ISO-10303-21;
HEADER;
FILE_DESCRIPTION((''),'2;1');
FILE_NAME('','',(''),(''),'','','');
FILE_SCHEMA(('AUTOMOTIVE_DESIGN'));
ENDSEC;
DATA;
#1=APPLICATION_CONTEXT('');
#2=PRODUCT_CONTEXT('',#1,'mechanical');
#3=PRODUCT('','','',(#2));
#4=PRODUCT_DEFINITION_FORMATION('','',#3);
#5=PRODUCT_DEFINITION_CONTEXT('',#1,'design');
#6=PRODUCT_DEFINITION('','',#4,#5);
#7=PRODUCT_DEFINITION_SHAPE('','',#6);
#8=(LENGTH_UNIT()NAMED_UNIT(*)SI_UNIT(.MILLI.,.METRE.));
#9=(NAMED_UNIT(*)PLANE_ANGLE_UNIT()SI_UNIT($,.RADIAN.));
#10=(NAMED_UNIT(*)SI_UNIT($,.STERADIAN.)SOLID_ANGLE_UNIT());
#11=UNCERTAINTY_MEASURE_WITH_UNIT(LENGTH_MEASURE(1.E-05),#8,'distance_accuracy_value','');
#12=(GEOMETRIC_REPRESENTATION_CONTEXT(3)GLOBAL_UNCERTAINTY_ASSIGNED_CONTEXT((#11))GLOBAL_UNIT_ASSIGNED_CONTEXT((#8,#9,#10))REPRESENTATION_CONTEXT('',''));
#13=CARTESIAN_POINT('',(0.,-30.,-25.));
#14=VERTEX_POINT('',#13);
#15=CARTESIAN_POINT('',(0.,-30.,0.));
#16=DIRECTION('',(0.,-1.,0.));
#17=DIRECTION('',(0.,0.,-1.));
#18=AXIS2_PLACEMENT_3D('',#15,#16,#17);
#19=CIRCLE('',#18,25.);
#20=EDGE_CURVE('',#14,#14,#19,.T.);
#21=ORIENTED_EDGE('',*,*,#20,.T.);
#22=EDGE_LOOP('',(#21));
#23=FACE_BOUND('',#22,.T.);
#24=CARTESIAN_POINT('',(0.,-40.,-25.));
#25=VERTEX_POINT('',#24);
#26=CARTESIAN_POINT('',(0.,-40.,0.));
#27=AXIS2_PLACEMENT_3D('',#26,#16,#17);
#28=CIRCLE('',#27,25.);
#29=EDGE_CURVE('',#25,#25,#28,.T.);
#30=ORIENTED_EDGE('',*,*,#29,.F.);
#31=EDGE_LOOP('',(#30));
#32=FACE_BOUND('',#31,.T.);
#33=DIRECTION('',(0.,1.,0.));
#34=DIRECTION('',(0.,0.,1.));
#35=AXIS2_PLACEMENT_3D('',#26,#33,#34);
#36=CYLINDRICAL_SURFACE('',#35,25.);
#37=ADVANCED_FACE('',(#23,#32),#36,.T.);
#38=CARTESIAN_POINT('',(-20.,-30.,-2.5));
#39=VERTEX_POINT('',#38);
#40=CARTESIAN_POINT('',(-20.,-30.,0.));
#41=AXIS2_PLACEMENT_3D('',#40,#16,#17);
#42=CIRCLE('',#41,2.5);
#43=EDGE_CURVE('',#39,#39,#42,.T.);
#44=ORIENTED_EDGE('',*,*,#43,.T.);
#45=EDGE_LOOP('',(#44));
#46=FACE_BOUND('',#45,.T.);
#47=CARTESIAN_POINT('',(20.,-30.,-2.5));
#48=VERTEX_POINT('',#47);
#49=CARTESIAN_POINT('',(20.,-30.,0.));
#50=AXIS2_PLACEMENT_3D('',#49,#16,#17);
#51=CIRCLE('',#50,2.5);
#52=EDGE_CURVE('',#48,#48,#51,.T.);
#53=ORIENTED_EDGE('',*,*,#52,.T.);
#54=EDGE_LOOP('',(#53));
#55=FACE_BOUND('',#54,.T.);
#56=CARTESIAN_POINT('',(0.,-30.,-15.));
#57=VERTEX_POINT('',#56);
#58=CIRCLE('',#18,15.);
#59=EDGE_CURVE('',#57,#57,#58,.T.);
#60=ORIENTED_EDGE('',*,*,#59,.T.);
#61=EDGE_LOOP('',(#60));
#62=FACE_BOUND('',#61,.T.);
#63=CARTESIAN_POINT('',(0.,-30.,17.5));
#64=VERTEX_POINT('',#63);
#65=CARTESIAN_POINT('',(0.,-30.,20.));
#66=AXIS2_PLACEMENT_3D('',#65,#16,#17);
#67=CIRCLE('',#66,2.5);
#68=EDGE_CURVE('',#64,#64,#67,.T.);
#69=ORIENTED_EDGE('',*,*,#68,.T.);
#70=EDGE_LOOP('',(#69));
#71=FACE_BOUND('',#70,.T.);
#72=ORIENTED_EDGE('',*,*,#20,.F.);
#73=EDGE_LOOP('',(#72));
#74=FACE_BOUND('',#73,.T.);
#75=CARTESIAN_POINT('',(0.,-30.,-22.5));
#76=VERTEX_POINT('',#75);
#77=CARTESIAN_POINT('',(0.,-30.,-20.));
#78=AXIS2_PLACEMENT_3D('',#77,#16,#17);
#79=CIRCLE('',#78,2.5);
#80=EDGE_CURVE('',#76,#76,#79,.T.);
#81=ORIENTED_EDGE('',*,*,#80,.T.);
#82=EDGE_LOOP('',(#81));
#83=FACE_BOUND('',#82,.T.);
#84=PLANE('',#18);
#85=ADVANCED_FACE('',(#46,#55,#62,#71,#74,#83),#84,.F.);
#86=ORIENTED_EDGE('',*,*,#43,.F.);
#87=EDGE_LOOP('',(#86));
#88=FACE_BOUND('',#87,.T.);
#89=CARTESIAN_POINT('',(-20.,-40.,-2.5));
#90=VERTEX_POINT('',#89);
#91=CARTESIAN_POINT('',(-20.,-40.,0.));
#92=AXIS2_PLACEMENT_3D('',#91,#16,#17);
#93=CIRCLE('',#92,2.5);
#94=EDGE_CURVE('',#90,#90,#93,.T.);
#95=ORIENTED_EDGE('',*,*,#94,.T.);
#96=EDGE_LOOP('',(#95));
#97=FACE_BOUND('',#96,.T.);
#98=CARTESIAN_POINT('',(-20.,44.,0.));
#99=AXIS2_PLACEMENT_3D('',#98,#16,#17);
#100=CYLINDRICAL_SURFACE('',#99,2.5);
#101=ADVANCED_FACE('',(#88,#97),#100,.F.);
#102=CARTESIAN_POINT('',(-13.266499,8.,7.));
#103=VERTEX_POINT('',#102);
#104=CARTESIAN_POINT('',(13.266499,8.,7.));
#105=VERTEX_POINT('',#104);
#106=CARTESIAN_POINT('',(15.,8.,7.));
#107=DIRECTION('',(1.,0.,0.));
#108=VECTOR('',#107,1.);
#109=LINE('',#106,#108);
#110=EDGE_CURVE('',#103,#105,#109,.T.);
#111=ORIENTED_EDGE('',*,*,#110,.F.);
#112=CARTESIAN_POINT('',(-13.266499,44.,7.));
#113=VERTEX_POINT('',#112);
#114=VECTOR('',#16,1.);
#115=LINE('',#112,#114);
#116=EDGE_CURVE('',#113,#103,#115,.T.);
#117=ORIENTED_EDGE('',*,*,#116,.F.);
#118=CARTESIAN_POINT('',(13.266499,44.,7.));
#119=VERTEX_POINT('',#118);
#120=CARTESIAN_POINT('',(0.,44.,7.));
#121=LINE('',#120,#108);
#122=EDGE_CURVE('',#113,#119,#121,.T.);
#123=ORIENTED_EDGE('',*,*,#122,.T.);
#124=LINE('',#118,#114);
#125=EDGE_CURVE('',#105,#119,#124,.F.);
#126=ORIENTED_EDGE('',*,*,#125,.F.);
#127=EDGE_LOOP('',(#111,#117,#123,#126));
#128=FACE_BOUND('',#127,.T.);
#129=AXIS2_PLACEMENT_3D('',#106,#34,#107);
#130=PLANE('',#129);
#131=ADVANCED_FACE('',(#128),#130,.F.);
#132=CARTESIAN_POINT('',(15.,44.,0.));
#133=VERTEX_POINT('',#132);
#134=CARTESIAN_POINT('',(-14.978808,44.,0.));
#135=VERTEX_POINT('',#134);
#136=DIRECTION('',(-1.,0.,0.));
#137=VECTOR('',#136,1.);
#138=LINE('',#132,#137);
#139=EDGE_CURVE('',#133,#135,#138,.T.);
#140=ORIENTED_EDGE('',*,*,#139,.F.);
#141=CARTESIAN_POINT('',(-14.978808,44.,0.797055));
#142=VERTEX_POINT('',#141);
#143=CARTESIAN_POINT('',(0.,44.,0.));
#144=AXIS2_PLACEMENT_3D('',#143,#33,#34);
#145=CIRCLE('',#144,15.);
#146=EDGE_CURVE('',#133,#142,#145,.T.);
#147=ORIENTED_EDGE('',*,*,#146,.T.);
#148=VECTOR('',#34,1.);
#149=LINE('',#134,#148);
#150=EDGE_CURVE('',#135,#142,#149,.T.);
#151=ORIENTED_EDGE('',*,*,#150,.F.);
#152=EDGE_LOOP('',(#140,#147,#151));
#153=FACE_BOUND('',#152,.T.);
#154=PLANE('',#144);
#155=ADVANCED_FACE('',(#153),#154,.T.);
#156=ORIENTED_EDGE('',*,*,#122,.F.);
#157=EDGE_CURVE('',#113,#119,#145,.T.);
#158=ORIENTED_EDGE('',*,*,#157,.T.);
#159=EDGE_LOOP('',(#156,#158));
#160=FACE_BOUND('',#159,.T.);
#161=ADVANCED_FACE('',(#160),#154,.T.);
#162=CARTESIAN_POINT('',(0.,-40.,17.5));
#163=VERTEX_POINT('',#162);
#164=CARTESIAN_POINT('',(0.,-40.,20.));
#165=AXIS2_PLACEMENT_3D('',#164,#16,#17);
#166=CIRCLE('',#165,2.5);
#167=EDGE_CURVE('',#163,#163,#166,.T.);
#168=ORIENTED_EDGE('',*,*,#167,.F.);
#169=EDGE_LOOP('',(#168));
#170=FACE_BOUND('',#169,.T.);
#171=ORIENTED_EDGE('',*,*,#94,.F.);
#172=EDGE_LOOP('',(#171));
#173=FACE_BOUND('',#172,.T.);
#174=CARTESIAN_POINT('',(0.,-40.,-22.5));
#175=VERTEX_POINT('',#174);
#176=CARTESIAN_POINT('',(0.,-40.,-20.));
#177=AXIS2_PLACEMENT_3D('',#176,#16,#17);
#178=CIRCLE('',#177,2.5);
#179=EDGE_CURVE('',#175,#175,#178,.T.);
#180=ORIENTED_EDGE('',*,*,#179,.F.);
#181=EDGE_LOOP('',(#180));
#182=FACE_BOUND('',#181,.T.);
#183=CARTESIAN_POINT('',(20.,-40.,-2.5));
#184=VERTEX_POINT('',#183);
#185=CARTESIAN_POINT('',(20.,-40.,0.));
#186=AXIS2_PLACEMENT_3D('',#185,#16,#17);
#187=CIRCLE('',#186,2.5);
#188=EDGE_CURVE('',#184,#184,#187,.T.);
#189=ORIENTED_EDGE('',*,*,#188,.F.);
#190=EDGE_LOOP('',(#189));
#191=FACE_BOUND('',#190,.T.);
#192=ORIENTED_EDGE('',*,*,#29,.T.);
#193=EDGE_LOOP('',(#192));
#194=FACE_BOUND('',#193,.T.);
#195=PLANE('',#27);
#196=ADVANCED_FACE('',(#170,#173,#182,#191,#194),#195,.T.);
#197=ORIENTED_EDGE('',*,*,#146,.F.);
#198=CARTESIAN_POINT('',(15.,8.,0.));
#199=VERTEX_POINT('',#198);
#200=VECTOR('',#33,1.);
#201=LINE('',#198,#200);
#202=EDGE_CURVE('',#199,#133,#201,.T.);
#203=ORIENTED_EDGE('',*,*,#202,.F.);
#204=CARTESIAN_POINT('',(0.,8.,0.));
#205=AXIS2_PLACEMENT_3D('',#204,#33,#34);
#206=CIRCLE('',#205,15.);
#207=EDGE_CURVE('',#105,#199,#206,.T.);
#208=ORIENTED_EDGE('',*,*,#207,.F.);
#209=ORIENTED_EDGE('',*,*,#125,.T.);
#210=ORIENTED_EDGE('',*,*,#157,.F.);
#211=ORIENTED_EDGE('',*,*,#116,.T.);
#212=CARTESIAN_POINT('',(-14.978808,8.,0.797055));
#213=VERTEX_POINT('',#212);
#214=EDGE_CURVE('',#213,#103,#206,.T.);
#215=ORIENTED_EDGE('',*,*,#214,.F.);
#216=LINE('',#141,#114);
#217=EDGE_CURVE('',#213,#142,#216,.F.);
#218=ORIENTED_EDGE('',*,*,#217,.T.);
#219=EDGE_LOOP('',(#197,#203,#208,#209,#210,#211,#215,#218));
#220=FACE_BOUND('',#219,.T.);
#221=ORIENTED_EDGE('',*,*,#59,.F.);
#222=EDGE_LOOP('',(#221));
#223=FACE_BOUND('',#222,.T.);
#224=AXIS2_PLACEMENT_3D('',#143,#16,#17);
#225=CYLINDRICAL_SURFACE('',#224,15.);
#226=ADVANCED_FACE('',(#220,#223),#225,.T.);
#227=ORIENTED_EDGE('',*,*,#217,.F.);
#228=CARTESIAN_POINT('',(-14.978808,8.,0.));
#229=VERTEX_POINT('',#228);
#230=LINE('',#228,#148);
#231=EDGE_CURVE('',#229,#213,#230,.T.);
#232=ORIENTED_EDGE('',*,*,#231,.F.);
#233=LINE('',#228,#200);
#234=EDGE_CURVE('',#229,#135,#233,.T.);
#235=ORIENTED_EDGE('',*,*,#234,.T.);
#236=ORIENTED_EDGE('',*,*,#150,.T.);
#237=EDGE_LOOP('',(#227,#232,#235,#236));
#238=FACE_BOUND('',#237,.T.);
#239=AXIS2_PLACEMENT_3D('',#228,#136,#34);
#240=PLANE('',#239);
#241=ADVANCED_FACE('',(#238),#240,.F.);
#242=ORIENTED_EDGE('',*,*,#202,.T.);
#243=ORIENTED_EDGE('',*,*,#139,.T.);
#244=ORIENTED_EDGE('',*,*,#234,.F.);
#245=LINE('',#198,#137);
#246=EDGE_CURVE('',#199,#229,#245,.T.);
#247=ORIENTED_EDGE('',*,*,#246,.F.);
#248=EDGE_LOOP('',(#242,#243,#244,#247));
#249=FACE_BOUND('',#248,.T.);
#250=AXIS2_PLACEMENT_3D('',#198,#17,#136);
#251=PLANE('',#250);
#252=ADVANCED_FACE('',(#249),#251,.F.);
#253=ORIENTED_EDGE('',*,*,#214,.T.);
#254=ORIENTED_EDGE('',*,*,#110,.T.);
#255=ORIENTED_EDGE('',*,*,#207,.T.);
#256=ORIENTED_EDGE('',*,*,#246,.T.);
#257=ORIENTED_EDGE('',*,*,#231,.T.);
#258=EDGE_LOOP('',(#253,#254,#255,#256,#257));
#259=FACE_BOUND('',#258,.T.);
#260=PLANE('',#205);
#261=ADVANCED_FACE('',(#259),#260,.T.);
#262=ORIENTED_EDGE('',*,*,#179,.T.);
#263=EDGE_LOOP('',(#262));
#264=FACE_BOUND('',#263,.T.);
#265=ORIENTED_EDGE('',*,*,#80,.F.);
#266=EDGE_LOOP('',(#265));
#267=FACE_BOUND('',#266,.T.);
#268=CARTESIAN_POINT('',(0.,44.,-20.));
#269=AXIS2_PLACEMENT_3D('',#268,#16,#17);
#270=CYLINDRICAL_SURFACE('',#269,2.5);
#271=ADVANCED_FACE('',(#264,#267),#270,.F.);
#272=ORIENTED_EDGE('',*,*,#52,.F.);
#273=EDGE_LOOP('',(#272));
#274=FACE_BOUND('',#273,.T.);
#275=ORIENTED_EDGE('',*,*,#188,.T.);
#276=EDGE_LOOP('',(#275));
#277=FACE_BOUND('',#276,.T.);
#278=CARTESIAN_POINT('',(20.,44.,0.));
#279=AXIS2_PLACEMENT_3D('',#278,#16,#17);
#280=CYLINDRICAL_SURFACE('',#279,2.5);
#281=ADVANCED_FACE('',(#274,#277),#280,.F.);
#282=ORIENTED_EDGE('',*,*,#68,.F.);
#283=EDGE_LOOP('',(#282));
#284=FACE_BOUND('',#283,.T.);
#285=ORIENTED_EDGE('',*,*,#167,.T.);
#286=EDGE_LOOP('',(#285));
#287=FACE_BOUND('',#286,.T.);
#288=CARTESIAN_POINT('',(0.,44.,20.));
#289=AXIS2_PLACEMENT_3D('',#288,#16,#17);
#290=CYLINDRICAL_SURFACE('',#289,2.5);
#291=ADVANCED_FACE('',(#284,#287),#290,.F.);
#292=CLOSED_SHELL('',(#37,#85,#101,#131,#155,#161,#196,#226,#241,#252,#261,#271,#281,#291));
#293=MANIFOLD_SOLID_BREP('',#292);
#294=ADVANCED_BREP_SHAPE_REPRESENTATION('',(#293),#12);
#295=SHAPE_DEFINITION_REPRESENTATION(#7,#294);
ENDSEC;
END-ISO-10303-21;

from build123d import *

# Parameters (mm, degrees)
SKETCH1_R           = 15
BOSS_EXTRUDE1_DEPTH = 44
SKETCH2_W           = 29.978808487
SKETCH2_H           = 7
CUT_EXTRUDE1_DEPTH  = 36
BOSS_EXTRUDE2_START = 30
SKETCH4_R           = 15
BOSS_EXTRUDE2_DEPTH = 30
SKETCH5_R           = 25
BOSS_EXTRUDE3_DEPTH = 10
SKETCH6_R           = 2.5
CUT_EXTRUDE2_DEPTH  = 92.137259121


with BuildPart() as part:
    # Sketch1 → Boss-Extrude1 (new body)
    with BuildSketch(Plane(origin=(0, 0, 0), x_dir=(1, 0, 0), z_dir=(0, 1, 0))):
        with Locations(Location((0, 0, 0), (0, 0, 270))):
            Circle(SKETCH1_R)
    extrude(amount=BOSS_EXTRUDE1_DEPTH)

    # Sketch2 → Cut-Extrude1 (cut)
    with BuildSketch(Plane(origin=(0, 44, 0), x_dir=(1, 0, 0), z_dir=(0, 1, 0))):
        with Locations((0.010595757, -3.5)):
            Rectangle(SKETCH2_W, SKETCH2_H)
    extrude(amount=-CUT_EXTRUDE1_DEPTH, mode=Mode.SUBTRACT)

    # Sketch4 → Boss-Extrude2 (add)
    with BuildSketch(Plane.XZ.offset(BOSS_EXTRUDE2_START)):
        with Locations(Location((0, 0, 0), (0, 0, 270))):
            Circle(SKETCH4_R)
    extrude(amount=-BOSS_EXTRUDE2_DEPTH)

    # Sketch5 → Boss-Extrude3 (add)
    with BuildSketch(Plane.XZ.offset(30)):
        with Locations(Location((0, 0, 0), (0, 0, 270))):
            Circle(SKETCH5_R)
    extrude(amount=BOSS_EXTRUDE3_DEPTH)

    # Sketch6 → Cut-Extrude2 (cut, through all)
    with BuildSketch(Plane.XZ.offset(40)):
        with BuildLine():
            ThreePointArc((0, 22.5), (-2.5, 20), (0, 17.5))
            Line((0, 17.5), (0, 22.5))
        make_face()
        with BuildLine():
            Line((0, 22.5), (0, 17.5))
            ThreePointArc((0, 17.5), (1.767766953, 18.232233047), (2.5, 20))
            ThreePointArc((2.5, 20), (1.767766953, 21.767766953), (0, 22.5))
        make_face()
        with Locations(Location((20, 0, 0), (0, 0, 270))):
            Circle(SKETCH6_R)
        with Locations(Location((0, -20, 0), (0, 0, 270))):
            Circle(SKETCH6_R)
        with Locations(Location((-20, 0, 0), (0, 0, 270))):
            Circle(SKETCH6_R)
    extrude(amount=-CUT_EXTRUDE2_DEPTH, mode=Mode.SUBTRACT)


solid = part.part
